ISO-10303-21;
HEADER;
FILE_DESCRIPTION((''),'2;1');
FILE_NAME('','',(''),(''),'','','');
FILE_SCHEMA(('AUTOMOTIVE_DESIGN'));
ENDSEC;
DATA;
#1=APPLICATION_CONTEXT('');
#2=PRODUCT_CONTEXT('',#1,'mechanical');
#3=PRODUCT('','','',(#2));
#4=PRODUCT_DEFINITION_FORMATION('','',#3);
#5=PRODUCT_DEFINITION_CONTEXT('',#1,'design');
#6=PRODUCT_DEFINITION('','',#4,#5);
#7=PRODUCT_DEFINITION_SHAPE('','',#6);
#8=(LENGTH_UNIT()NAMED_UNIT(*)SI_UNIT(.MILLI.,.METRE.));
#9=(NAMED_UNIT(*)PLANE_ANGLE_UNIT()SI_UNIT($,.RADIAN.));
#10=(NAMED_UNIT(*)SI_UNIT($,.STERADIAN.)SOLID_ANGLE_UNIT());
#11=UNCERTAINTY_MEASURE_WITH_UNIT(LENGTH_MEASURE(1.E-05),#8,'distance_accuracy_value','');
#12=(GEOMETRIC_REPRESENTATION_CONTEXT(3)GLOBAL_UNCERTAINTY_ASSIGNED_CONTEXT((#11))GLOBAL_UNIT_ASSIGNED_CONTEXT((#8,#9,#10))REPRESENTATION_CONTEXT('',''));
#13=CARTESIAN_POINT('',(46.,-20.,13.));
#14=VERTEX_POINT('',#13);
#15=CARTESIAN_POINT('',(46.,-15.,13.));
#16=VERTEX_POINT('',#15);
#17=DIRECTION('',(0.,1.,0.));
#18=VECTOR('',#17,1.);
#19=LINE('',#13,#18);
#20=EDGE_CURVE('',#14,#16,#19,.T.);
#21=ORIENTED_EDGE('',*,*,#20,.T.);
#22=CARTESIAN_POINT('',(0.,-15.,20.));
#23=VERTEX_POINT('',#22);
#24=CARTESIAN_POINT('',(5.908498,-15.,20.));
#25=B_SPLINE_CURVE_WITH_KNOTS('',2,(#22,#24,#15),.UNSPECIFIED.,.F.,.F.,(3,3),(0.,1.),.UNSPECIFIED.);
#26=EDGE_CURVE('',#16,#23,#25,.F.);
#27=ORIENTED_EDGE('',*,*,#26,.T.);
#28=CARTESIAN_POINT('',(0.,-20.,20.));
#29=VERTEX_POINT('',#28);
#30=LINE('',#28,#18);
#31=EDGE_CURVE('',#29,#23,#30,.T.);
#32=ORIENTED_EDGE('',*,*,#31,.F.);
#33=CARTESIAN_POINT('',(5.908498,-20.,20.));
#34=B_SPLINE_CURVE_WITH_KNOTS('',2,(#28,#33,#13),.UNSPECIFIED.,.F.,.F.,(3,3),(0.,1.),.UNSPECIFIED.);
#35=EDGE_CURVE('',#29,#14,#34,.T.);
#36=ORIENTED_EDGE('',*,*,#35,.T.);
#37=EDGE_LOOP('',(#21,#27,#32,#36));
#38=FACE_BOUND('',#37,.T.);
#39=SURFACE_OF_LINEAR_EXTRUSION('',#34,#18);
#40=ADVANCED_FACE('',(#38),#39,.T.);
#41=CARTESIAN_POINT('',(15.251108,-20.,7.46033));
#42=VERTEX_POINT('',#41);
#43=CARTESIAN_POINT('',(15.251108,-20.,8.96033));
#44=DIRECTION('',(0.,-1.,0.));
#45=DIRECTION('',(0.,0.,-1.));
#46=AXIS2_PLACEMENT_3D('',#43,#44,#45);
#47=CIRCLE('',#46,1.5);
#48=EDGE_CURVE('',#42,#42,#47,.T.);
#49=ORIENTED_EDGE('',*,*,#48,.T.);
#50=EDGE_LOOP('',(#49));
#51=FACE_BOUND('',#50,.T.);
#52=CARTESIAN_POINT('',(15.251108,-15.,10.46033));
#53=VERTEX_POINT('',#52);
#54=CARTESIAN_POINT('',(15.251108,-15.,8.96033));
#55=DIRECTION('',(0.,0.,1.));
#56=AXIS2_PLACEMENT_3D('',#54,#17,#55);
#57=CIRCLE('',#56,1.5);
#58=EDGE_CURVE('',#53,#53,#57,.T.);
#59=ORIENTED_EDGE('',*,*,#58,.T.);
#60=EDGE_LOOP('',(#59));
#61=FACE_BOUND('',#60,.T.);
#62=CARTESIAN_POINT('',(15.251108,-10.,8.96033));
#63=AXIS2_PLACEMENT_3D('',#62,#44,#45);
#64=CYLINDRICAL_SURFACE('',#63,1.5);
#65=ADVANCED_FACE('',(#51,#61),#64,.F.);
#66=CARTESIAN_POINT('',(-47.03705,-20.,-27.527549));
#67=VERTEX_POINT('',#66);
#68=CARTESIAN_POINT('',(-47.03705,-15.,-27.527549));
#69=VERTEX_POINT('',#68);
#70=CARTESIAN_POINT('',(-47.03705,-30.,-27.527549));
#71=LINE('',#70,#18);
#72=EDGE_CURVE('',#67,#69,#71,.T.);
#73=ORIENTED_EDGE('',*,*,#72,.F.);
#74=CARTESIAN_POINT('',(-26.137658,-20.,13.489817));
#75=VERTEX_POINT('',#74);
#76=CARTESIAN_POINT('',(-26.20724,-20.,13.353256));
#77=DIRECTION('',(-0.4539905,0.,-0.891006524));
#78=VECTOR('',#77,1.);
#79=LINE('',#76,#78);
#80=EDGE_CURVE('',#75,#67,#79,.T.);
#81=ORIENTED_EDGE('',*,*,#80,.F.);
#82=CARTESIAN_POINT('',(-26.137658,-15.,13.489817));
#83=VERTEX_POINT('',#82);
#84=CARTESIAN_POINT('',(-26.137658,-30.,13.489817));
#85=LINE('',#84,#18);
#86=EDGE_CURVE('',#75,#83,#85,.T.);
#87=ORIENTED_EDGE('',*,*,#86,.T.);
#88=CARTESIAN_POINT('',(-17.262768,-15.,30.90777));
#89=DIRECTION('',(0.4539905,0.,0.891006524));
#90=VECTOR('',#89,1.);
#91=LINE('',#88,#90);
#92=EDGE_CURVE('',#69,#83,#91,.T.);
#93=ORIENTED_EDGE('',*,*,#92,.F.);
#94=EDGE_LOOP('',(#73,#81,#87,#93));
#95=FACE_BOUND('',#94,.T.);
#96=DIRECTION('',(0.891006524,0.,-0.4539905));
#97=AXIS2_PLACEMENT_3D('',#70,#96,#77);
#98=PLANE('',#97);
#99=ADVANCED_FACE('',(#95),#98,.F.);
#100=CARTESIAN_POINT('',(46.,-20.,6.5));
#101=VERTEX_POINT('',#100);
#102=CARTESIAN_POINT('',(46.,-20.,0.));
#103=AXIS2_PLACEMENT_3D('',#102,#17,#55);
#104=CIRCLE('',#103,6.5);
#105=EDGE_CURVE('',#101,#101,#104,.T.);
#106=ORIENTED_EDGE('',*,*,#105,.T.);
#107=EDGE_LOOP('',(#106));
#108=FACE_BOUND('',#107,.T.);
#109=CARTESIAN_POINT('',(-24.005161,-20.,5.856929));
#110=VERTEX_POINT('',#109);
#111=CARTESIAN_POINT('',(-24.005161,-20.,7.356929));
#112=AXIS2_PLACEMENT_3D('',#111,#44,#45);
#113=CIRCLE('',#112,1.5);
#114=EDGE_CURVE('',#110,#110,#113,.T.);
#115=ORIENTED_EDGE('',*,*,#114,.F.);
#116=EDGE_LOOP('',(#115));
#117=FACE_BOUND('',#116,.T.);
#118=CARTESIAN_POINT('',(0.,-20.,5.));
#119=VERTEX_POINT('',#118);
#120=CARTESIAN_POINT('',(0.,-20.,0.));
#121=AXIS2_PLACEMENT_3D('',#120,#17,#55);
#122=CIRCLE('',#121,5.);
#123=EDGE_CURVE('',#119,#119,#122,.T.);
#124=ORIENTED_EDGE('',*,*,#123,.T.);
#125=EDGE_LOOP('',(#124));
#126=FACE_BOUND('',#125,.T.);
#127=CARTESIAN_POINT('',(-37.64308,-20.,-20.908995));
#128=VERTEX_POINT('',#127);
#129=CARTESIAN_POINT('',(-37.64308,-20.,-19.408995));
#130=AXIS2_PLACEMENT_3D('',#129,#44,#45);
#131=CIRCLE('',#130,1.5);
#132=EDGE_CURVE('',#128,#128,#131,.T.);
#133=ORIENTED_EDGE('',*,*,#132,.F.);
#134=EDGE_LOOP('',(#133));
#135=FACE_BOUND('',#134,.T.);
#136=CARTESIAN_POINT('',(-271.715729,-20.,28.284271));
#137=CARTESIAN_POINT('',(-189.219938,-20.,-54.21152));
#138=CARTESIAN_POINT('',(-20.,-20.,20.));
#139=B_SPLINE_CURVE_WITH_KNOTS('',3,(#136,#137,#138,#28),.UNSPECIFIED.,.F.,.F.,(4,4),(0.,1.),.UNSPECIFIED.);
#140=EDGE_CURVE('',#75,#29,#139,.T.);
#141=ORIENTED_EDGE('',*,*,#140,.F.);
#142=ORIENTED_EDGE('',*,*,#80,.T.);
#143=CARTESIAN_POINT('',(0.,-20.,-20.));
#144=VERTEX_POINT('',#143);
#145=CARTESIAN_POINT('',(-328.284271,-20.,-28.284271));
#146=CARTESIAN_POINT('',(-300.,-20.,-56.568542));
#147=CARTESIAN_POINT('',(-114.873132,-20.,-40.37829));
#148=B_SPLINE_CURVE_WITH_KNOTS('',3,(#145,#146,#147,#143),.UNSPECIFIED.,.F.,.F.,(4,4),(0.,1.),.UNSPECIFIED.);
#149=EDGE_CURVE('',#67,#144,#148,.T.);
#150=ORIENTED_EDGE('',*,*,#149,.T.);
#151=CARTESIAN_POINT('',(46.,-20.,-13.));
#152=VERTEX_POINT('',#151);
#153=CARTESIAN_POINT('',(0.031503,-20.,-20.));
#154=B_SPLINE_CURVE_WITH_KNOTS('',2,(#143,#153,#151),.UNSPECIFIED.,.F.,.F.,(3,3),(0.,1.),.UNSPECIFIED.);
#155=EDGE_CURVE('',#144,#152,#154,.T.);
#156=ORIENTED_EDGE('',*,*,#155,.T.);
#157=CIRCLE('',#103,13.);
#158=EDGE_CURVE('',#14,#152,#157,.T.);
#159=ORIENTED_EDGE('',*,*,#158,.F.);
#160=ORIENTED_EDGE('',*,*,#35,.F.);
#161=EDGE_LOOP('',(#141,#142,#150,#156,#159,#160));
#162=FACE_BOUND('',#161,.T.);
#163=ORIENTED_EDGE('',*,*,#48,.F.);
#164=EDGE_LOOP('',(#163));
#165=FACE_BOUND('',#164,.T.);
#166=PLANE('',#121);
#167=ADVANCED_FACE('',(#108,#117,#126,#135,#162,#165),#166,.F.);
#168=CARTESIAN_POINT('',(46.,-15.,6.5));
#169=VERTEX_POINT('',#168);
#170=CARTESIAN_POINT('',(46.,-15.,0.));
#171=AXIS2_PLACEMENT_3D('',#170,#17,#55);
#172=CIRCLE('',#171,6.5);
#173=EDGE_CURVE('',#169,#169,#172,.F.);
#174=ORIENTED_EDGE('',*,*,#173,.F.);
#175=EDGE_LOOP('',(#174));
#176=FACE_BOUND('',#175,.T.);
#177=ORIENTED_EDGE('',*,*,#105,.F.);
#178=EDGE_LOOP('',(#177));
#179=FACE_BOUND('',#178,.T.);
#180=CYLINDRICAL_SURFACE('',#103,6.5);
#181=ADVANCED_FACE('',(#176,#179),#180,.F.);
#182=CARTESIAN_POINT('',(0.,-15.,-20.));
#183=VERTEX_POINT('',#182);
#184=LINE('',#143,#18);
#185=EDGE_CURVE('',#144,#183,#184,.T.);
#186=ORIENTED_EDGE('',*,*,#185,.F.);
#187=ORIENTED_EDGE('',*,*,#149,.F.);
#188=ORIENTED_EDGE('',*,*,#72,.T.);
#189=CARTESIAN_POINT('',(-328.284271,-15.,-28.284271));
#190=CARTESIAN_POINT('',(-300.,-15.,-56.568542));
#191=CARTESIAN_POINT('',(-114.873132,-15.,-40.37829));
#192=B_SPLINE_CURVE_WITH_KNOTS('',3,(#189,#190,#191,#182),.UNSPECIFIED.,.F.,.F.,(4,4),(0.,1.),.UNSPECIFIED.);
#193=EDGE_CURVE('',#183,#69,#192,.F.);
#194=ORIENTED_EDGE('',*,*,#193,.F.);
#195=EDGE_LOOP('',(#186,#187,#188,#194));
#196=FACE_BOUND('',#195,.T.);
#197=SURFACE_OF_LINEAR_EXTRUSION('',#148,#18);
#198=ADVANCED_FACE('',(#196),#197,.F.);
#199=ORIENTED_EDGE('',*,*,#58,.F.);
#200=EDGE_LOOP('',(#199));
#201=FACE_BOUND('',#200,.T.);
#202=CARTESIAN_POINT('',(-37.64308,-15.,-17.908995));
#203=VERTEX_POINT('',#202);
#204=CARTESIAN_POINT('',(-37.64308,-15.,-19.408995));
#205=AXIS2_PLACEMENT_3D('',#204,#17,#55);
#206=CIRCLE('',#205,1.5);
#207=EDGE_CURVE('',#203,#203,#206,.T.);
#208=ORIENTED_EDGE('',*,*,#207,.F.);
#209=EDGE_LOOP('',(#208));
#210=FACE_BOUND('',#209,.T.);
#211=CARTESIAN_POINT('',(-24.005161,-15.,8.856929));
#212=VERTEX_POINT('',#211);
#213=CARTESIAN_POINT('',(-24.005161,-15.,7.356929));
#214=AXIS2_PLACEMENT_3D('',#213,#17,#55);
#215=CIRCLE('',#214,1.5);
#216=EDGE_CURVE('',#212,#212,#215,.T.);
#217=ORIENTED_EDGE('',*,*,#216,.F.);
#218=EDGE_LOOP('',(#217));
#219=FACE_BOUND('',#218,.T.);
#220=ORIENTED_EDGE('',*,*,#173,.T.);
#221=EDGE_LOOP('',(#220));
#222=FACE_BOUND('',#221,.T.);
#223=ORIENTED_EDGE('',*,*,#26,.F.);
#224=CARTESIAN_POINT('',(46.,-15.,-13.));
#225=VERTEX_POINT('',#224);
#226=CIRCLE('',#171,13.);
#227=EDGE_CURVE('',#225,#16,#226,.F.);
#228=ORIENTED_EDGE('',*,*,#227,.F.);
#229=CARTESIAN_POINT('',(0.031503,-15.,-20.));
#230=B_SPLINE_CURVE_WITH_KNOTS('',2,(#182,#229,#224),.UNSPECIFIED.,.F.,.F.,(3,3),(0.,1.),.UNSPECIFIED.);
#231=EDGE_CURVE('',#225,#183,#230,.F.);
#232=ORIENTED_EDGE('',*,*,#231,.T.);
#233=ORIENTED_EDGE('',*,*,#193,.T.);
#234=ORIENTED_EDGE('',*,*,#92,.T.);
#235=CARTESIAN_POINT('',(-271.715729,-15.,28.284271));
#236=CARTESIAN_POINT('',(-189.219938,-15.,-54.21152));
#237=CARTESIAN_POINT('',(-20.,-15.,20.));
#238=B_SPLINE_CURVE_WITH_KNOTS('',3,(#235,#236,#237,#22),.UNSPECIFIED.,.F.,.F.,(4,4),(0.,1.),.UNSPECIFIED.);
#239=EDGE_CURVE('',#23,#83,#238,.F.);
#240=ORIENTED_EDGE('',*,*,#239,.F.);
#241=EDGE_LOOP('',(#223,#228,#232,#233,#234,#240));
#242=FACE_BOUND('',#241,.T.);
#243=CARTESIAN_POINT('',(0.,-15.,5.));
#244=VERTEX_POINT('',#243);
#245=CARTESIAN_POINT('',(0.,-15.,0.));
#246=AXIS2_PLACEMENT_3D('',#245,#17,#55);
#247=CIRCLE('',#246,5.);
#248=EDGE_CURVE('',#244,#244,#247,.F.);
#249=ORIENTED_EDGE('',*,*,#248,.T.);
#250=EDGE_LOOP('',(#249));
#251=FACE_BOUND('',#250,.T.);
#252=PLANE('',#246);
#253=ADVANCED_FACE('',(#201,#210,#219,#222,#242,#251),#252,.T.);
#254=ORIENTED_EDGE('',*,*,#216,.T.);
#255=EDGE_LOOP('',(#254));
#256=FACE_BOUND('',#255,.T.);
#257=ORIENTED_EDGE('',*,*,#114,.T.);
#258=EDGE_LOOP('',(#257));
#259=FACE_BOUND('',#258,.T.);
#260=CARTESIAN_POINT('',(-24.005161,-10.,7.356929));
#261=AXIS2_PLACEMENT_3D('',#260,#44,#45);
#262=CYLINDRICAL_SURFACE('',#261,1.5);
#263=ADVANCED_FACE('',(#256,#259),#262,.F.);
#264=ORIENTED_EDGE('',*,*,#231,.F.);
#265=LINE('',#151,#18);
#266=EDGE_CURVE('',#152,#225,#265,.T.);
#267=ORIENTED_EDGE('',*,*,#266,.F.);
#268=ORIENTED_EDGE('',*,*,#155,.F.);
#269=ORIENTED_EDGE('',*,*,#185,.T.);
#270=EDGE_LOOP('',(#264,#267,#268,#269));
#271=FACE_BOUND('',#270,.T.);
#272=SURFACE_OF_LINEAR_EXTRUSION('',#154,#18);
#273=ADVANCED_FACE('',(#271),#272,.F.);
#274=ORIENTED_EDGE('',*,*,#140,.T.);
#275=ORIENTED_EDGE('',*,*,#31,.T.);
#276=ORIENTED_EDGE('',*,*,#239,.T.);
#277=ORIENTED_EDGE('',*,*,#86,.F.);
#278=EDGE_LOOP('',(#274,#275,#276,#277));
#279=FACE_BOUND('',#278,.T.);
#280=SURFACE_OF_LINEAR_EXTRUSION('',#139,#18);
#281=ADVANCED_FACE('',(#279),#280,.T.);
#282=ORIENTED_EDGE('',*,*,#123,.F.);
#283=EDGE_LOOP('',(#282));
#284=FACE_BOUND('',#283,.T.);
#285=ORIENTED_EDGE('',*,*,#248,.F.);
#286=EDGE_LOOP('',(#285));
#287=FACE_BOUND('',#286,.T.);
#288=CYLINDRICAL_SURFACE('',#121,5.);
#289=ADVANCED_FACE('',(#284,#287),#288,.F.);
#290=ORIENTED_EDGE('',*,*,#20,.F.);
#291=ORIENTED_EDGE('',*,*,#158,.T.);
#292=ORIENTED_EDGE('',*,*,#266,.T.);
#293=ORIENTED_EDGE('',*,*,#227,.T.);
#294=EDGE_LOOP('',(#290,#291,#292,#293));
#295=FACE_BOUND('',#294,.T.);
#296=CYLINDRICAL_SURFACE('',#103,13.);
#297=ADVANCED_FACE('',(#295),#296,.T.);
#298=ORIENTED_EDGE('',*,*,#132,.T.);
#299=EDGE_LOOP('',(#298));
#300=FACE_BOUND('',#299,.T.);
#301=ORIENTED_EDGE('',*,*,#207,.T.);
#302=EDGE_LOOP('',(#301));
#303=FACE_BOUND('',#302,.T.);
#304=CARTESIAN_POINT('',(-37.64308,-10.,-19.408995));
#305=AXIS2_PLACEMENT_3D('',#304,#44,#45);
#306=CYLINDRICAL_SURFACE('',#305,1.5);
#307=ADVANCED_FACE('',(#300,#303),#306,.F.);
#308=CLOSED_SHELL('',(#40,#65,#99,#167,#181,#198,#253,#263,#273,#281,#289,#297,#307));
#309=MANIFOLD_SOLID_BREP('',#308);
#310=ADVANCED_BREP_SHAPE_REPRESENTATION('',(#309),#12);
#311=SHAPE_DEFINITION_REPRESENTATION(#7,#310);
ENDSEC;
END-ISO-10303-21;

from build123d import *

# Parameters (mm, degrees)
BOSS_EXTRUDE1_DEPTH      = 20
BOSS_EXTRUDE1_DEPTH_BACK = 20
SKETCH1_R                = 5
SKETCH1_R_2              = 6.5
CUT_EXTRUDE4_DEPTH       = 35
SKETCH6_R                = 1.5
CUT_EXTRUDE5_DEPTH       = 10
CUT_EXTRUDE6_DEPTH       = 50


with BuildPart() as part:
    # Sketch1 → Boss-Extrude1 (new, two sides: drawn at the far end of the back side and taken through both)
    # profile 1 of 5: a face of its own
    with BuildSketch(Plane(origin=(0, 0, 0), x_dir=(1, 0, 0), z_dir=(0, 1, 0)).offset(-BOSS_EXTRUDE1_DEPTH_BACK)):
        with BuildLine():
            add(Edge.make_bspline(
                [(-328.284271247, 28.284271247), (-322.910070204, 33.658472291), (-311.873452078, 37.427029787), (-296.732235412, 39.86629798)],
                knots=[0, 0, 0, 0, 0.1900067, 0.1900067, 0.1900067, 0.1900067], degree=3))
            ThreePointArc((-328.284271247, 28.284271247), (-328.284271247, -28.284271247), (-271.715728753, -28.284271247))
            ThreePointArc((-271.715728753, -28.284271247), (-263.0448187, -15.307337295), (-260, 0))
            ThreePointArc((-260, 0), (-270.583078139, 27.104330064), (-296.732235412, 39.86629798))
        make_face()
    # profile 2 of 5: a face of its own
    with BuildSketch(Plane(origin=(0, 0, 0), x_dir=(1, 0, 0), z_dir=(0, 1, 0)).offset(-BOSS_EXTRUDE1_DEPTH_BACK)):
        with BuildLine():
            ThreePointArc((-260, 0), (-263.0448187, -15.307337295), (-271.715728753, -28.284271247))
            add(Edge.make_bspline(
                [(-271.715728753, -28.284271247), (-194.91847241, 48.512985095), (-42.964488834, -10.495172733), (-6.202879594, -19.013791961)],
                knots=[0, 0, 0, 0, 0.930923327, 0.930923327, 0.930923327, 0.930923327], degree=3))
            ThreePointArc((-6.202879594, -19.013791961), (-19.751909265, 3.140394942), (0, 20))
            add(Edge.make_bspline(
                [(-296.732235412, 39.86629798), (-232.185648118, 50.264830728), (-93.046467117, 36.506278231), (0, 20)],
                knots=[0.1900067, 0.1900067, 0.1900067, 0.1900067, 1, 1, 1, 1], degree=3))
            ThreePointArc((-296.732235412, 39.86629798), (-270.583078139, 27.104330064), (-260, 0))
        make_face()
    # profile 3 of 5: a face of its own
    with BuildSketch(Plane(origin=(0, 0, 0), x_dir=(1, 0, 0), z_dir=(0, 1, 0)).offset(-BOSS_EXTRUDE1_DEPTH_BACK)):
        with BuildLine():
            ThreePointArc((0, 20), (-19.751909265, 3.140394942), (-6.202879594, -19.013791961))
            add(Edge.make_bspline(
                [(-6.202879594, -19.013791961), (-3.475082803, -19.645893294), (-1.381533462, -20), (0, -20)],
                knots=[0.930923327, 0.930923327, 0.930923327, 0.930923327, 1, 1, 1, 1], degree=3))
            add(Edge.make_bspline(
                [(0, -20), (0.844585297, -20), (2.387633143, -19.856968751)],
                knots=[0, 0, 0, 0.142944169, 0.142944169, 0.142944169], degree=2))
            ThreePointArc((2.387633143, -19.856968751), (14.9624975, -13.271159278), (20, 0))
            ThreePointArc((20, 0), (16.104446086, 11.859461044), (5.935318374, 19.0990051))
            add(Edge.make_bspline(
                [(0, 20), (0.011302239, 20), (5.935318374, 19.0990051)],
                knots=[0, 0, 0, 0.358766717, 0.358766717, 0.358766717], degree=2))
        make_face()
        with Locations(Location((0, 0, 0), (0, 0, 270))):
            Circle(SKETCH1_R, mode=Mode.SUBTRACT)
    # profile 4 of 5: a face of its own
    with BuildSketch(Plane(origin=(0, 0, 0), x_dir=(1, 0, 0), z_dir=(0, 1, 0)).offset(-BOSS_EXTRUDE1_DEPTH_BACK)):
        with BuildLine():
            add(Edge.make_bspline(
                [(5.935318374, 19.0990051), (16.523469771, 17.488632981), (46, 13)],
                knots=[0.358766717, 0.358766717, 0.358766717, 1, 1, 1], degree=2))
            ThreePointArc((5.935318374, 19.0990051), (16.104446086, 11.859461044), (20, 0))
            ThreePointArc((20, 0), (14.9624975, -13.271159278), (2.387633143, -19.856968751))
            add(Edge.make_bspline(
                [(2.387633143, -19.856968751), (11.639344201, -18.999390814), (46, -13)],
                knots=[0.142944169, 0.142944169, 0.142944169, 1, 1, 1], degree=2))
            ThreePointArc((46, -13), (33, 0), (46, 13))
        make_face()
    # profile 5 of 5: a face of its own
    with BuildSketch(Plane(origin=(0, 0, 0), x_dir=(1, 0, 0), z_dir=(0, 1, 0)).offset(-BOSS_EXTRUDE1_DEPTH_BACK)):
        with BuildLine():
            ThreePointArc((59, 0), (55.192388155, 9.192388155), (46, 13))
            ThreePointArc((46, 13), (33, 0), (46, -13))
            ThreePointArc((46, -13), (55.192388155, -9.192388155), (59, 0))
        make_face()
        with Locations(Location((46, 0, 0), (0, 0, 270))):
            Circle(SKETCH1_R_2, mode=Mode.SUBTRACT)
    extrude(amount=BOSS_EXTRUDE1_DEPTH + BOSS_EXTRUDE1_DEPTH_BACK)

    # Sketch5 → Cut-Extrude4 (cut)
    with BuildSketch(Plane(origin=(0, 20, 0), x_dir=(1, 0, 0), z_dir=(0, 1, 0))):
        Polygon((-47.037049996, 27.527548523), (92.120786702, 16.164640032), (85.724700256, -16.918764701), (-17.262768022, -30.907770073), align=None)
    extrude(amount=-CUT_EXTRUDE4_DEPTH, mode=Mode.SUBTRACT)

    # Sketch6 → Cut-Extrude5 (cut)
    with BuildSketch(Plane(origin=(0, -20, 0), x_dir=(-1, 0, 0), z_dir=(0, -1, 0))):
        with Locations(Location((24.005160607, -7.356928903, 0), (0, 0, 90))):
            Circle(SKETCH6_R)
        with Locations(Location((-15.251108102, -8.960330165, 0), (0, 0, 90))):
            Circle(SKETCH6_R)
        with Locations(Location((37.643080162, 19.408995291, 0), (0, 0, 90))):
            Circle(SKETCH6_R)
    extrude(amount=-CUT_EXTRUDE5_DEPTH, mode=Mode.SUBTRACT)

    # Sketch7 → Cut-Extrude6 (cut)
    with BuildSketch(Plane(origin=(0, 20, 0), x_dir=(1, 0, 0), z_dir=(0, 1, 0))):
        Polygon((-47.037049996, 27.527548523), (-26.137658318, -13.489817144), (-379.595719096, -92.580220424), (-321.505561991, 137.254748988), align=None)
    extrude(amount=-CUT_EXTRUDE6_DEPTH, mode=Mode.SUBTRACT)


solid = part.part
